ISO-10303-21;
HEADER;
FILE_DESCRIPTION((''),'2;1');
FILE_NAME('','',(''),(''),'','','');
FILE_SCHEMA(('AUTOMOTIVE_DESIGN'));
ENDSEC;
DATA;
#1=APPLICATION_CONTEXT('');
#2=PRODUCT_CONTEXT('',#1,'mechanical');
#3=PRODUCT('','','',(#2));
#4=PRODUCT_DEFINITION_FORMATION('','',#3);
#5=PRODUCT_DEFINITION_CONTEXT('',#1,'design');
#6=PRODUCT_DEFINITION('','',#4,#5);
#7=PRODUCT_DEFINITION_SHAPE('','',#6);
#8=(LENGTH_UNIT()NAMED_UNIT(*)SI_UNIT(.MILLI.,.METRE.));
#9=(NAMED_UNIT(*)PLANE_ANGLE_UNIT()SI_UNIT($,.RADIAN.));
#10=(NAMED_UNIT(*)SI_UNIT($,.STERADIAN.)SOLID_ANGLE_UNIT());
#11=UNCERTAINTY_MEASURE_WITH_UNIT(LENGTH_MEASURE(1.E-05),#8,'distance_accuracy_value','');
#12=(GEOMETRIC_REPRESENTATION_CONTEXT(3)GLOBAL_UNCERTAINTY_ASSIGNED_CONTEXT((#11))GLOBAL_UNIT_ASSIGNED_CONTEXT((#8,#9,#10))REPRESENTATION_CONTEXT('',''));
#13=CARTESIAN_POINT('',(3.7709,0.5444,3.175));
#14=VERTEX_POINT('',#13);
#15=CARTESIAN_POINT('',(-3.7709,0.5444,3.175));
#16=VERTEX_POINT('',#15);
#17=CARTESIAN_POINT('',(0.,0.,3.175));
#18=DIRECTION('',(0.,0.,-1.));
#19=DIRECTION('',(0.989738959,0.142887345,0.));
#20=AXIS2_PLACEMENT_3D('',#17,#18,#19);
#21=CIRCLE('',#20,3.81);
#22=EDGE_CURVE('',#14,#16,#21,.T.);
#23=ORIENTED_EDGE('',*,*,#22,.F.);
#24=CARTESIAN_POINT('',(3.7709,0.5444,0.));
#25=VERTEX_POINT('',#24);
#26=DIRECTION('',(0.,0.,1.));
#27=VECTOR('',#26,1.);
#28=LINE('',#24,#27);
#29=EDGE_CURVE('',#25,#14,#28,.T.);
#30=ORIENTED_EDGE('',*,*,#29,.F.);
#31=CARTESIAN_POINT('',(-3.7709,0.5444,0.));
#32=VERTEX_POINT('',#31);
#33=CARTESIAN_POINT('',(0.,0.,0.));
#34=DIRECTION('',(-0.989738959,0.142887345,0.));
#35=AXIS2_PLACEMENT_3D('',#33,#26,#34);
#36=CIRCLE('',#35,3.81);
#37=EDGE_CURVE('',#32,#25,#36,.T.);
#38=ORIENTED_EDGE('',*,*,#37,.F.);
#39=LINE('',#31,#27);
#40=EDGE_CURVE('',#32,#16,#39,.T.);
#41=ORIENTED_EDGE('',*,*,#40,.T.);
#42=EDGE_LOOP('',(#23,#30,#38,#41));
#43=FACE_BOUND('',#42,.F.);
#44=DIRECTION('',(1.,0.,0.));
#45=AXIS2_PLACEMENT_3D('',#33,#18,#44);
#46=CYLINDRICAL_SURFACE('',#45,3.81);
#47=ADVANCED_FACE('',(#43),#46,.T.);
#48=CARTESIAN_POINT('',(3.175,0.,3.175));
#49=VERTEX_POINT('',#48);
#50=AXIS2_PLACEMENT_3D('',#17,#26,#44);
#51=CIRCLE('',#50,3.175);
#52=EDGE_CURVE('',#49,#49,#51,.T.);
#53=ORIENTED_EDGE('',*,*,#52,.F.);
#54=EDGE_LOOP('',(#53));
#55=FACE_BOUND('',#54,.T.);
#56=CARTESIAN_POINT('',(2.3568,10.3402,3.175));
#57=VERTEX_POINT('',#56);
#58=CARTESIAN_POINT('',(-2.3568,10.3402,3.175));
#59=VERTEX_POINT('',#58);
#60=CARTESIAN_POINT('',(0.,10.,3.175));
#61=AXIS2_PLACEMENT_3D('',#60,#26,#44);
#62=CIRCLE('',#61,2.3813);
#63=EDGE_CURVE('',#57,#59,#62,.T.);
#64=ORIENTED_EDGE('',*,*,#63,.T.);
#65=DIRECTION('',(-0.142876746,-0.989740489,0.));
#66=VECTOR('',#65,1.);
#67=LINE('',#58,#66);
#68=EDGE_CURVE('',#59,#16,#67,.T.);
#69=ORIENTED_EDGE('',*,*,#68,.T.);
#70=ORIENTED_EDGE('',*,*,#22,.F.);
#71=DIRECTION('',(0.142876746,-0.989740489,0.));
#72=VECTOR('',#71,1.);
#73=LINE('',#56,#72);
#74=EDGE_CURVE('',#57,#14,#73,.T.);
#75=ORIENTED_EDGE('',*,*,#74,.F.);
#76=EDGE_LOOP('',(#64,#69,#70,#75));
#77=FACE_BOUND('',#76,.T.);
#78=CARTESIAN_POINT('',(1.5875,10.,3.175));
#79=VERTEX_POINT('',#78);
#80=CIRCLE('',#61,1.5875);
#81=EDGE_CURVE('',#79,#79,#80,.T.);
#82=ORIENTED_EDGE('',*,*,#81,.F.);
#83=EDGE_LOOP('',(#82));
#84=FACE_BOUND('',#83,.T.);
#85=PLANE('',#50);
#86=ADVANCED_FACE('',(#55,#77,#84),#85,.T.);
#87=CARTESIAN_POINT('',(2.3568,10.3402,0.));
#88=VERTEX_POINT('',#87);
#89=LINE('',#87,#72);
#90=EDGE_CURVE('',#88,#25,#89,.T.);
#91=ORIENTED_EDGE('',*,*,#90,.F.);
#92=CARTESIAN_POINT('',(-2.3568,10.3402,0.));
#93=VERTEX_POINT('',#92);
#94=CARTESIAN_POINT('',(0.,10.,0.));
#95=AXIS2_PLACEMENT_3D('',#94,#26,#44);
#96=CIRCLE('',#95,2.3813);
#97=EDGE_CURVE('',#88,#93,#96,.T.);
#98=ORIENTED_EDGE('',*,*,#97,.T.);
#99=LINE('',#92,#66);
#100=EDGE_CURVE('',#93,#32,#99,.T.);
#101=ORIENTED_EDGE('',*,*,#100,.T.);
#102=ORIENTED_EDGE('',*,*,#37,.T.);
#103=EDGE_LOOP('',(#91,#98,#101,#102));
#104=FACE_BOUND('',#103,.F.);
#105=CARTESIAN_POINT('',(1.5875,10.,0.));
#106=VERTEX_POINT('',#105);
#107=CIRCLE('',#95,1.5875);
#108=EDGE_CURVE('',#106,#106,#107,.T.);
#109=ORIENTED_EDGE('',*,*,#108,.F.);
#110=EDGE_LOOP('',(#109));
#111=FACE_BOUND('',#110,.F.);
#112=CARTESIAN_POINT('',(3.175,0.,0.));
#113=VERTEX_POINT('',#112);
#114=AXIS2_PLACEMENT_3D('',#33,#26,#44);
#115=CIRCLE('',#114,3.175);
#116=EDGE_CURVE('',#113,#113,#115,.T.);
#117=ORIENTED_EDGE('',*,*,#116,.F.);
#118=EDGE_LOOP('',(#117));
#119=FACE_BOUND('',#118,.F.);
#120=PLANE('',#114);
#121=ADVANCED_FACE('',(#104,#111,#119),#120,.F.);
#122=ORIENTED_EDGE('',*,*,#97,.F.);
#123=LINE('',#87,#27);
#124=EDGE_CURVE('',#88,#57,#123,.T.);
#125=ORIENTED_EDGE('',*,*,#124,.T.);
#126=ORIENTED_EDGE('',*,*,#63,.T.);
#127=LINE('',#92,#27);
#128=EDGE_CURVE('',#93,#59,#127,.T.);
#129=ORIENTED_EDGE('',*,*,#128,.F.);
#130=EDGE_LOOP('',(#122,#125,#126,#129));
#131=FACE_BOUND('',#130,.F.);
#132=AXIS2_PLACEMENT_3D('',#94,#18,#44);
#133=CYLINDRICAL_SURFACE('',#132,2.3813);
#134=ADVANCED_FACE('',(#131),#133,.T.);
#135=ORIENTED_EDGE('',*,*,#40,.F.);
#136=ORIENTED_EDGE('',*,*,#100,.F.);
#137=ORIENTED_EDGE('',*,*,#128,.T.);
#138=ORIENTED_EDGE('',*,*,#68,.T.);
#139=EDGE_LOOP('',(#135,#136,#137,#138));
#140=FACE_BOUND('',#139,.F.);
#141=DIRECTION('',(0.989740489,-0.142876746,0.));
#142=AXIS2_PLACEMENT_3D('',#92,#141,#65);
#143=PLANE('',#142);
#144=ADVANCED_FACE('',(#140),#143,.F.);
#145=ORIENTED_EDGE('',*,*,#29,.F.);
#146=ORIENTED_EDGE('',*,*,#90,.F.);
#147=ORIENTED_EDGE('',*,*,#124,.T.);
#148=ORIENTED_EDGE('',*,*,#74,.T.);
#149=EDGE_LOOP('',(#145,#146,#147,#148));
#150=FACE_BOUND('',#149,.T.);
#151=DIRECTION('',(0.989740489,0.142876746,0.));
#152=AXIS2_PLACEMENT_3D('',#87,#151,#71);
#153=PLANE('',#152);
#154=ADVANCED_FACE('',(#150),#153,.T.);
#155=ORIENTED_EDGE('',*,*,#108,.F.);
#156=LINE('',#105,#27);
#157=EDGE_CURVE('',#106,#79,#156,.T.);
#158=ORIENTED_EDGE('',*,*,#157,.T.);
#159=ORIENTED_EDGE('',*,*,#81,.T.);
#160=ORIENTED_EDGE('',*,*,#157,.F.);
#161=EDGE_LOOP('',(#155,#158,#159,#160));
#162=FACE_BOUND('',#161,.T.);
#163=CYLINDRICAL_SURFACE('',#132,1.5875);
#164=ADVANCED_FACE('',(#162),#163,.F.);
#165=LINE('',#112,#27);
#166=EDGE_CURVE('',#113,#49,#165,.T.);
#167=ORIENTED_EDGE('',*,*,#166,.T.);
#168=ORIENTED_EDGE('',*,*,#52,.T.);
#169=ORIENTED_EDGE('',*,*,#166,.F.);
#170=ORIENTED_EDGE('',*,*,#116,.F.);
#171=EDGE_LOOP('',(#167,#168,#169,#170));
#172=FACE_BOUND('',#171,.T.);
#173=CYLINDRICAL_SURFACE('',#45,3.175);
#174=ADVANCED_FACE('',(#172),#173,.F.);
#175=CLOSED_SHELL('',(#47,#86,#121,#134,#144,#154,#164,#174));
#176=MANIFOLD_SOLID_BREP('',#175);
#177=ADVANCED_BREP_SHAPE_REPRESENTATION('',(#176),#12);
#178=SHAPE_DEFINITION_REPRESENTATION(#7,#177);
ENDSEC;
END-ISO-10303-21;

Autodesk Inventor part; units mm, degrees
ref_plane "YZ Plane" through (0, 0, 0) normal (1, 0, 0) x (0, 1, 0)
ref_plane "XZ Plane" through (0, 0, 0) normal (0, 1, 0) x (-1, 0, 0)
ref_plane "XY Plane" through (0, 0, 0) normal (0, 0, 1) x (1, 0, 0)
sketch "Sketch1" plane through (0, 0, 0) normal (0, 0, 1) x (1, 0, 0)
  circle A0 centre (0, 0) radius 3.175
  circle A1 centre (0, 0) radius 3.81
  circle A2 centre (0, 10) radius 1.5875
  circle A3 centre (0, 10) radius 2.3813
  line L0 (-2.3568, 10.3402) -> (-3.7709, 0.5444)
  line L1 (2.3568, 10.3402) -> (3.7709, 0.5444)
  dimension "d0" = 6.35
  dimension "d1" = 7.62
  dimension "d2" = 3.175
  dimension "d3" = 4.7625
  dimension "d6" = 10
extrude "Extrusion1" add sketch "Sketch1" along normal blind 3.175
